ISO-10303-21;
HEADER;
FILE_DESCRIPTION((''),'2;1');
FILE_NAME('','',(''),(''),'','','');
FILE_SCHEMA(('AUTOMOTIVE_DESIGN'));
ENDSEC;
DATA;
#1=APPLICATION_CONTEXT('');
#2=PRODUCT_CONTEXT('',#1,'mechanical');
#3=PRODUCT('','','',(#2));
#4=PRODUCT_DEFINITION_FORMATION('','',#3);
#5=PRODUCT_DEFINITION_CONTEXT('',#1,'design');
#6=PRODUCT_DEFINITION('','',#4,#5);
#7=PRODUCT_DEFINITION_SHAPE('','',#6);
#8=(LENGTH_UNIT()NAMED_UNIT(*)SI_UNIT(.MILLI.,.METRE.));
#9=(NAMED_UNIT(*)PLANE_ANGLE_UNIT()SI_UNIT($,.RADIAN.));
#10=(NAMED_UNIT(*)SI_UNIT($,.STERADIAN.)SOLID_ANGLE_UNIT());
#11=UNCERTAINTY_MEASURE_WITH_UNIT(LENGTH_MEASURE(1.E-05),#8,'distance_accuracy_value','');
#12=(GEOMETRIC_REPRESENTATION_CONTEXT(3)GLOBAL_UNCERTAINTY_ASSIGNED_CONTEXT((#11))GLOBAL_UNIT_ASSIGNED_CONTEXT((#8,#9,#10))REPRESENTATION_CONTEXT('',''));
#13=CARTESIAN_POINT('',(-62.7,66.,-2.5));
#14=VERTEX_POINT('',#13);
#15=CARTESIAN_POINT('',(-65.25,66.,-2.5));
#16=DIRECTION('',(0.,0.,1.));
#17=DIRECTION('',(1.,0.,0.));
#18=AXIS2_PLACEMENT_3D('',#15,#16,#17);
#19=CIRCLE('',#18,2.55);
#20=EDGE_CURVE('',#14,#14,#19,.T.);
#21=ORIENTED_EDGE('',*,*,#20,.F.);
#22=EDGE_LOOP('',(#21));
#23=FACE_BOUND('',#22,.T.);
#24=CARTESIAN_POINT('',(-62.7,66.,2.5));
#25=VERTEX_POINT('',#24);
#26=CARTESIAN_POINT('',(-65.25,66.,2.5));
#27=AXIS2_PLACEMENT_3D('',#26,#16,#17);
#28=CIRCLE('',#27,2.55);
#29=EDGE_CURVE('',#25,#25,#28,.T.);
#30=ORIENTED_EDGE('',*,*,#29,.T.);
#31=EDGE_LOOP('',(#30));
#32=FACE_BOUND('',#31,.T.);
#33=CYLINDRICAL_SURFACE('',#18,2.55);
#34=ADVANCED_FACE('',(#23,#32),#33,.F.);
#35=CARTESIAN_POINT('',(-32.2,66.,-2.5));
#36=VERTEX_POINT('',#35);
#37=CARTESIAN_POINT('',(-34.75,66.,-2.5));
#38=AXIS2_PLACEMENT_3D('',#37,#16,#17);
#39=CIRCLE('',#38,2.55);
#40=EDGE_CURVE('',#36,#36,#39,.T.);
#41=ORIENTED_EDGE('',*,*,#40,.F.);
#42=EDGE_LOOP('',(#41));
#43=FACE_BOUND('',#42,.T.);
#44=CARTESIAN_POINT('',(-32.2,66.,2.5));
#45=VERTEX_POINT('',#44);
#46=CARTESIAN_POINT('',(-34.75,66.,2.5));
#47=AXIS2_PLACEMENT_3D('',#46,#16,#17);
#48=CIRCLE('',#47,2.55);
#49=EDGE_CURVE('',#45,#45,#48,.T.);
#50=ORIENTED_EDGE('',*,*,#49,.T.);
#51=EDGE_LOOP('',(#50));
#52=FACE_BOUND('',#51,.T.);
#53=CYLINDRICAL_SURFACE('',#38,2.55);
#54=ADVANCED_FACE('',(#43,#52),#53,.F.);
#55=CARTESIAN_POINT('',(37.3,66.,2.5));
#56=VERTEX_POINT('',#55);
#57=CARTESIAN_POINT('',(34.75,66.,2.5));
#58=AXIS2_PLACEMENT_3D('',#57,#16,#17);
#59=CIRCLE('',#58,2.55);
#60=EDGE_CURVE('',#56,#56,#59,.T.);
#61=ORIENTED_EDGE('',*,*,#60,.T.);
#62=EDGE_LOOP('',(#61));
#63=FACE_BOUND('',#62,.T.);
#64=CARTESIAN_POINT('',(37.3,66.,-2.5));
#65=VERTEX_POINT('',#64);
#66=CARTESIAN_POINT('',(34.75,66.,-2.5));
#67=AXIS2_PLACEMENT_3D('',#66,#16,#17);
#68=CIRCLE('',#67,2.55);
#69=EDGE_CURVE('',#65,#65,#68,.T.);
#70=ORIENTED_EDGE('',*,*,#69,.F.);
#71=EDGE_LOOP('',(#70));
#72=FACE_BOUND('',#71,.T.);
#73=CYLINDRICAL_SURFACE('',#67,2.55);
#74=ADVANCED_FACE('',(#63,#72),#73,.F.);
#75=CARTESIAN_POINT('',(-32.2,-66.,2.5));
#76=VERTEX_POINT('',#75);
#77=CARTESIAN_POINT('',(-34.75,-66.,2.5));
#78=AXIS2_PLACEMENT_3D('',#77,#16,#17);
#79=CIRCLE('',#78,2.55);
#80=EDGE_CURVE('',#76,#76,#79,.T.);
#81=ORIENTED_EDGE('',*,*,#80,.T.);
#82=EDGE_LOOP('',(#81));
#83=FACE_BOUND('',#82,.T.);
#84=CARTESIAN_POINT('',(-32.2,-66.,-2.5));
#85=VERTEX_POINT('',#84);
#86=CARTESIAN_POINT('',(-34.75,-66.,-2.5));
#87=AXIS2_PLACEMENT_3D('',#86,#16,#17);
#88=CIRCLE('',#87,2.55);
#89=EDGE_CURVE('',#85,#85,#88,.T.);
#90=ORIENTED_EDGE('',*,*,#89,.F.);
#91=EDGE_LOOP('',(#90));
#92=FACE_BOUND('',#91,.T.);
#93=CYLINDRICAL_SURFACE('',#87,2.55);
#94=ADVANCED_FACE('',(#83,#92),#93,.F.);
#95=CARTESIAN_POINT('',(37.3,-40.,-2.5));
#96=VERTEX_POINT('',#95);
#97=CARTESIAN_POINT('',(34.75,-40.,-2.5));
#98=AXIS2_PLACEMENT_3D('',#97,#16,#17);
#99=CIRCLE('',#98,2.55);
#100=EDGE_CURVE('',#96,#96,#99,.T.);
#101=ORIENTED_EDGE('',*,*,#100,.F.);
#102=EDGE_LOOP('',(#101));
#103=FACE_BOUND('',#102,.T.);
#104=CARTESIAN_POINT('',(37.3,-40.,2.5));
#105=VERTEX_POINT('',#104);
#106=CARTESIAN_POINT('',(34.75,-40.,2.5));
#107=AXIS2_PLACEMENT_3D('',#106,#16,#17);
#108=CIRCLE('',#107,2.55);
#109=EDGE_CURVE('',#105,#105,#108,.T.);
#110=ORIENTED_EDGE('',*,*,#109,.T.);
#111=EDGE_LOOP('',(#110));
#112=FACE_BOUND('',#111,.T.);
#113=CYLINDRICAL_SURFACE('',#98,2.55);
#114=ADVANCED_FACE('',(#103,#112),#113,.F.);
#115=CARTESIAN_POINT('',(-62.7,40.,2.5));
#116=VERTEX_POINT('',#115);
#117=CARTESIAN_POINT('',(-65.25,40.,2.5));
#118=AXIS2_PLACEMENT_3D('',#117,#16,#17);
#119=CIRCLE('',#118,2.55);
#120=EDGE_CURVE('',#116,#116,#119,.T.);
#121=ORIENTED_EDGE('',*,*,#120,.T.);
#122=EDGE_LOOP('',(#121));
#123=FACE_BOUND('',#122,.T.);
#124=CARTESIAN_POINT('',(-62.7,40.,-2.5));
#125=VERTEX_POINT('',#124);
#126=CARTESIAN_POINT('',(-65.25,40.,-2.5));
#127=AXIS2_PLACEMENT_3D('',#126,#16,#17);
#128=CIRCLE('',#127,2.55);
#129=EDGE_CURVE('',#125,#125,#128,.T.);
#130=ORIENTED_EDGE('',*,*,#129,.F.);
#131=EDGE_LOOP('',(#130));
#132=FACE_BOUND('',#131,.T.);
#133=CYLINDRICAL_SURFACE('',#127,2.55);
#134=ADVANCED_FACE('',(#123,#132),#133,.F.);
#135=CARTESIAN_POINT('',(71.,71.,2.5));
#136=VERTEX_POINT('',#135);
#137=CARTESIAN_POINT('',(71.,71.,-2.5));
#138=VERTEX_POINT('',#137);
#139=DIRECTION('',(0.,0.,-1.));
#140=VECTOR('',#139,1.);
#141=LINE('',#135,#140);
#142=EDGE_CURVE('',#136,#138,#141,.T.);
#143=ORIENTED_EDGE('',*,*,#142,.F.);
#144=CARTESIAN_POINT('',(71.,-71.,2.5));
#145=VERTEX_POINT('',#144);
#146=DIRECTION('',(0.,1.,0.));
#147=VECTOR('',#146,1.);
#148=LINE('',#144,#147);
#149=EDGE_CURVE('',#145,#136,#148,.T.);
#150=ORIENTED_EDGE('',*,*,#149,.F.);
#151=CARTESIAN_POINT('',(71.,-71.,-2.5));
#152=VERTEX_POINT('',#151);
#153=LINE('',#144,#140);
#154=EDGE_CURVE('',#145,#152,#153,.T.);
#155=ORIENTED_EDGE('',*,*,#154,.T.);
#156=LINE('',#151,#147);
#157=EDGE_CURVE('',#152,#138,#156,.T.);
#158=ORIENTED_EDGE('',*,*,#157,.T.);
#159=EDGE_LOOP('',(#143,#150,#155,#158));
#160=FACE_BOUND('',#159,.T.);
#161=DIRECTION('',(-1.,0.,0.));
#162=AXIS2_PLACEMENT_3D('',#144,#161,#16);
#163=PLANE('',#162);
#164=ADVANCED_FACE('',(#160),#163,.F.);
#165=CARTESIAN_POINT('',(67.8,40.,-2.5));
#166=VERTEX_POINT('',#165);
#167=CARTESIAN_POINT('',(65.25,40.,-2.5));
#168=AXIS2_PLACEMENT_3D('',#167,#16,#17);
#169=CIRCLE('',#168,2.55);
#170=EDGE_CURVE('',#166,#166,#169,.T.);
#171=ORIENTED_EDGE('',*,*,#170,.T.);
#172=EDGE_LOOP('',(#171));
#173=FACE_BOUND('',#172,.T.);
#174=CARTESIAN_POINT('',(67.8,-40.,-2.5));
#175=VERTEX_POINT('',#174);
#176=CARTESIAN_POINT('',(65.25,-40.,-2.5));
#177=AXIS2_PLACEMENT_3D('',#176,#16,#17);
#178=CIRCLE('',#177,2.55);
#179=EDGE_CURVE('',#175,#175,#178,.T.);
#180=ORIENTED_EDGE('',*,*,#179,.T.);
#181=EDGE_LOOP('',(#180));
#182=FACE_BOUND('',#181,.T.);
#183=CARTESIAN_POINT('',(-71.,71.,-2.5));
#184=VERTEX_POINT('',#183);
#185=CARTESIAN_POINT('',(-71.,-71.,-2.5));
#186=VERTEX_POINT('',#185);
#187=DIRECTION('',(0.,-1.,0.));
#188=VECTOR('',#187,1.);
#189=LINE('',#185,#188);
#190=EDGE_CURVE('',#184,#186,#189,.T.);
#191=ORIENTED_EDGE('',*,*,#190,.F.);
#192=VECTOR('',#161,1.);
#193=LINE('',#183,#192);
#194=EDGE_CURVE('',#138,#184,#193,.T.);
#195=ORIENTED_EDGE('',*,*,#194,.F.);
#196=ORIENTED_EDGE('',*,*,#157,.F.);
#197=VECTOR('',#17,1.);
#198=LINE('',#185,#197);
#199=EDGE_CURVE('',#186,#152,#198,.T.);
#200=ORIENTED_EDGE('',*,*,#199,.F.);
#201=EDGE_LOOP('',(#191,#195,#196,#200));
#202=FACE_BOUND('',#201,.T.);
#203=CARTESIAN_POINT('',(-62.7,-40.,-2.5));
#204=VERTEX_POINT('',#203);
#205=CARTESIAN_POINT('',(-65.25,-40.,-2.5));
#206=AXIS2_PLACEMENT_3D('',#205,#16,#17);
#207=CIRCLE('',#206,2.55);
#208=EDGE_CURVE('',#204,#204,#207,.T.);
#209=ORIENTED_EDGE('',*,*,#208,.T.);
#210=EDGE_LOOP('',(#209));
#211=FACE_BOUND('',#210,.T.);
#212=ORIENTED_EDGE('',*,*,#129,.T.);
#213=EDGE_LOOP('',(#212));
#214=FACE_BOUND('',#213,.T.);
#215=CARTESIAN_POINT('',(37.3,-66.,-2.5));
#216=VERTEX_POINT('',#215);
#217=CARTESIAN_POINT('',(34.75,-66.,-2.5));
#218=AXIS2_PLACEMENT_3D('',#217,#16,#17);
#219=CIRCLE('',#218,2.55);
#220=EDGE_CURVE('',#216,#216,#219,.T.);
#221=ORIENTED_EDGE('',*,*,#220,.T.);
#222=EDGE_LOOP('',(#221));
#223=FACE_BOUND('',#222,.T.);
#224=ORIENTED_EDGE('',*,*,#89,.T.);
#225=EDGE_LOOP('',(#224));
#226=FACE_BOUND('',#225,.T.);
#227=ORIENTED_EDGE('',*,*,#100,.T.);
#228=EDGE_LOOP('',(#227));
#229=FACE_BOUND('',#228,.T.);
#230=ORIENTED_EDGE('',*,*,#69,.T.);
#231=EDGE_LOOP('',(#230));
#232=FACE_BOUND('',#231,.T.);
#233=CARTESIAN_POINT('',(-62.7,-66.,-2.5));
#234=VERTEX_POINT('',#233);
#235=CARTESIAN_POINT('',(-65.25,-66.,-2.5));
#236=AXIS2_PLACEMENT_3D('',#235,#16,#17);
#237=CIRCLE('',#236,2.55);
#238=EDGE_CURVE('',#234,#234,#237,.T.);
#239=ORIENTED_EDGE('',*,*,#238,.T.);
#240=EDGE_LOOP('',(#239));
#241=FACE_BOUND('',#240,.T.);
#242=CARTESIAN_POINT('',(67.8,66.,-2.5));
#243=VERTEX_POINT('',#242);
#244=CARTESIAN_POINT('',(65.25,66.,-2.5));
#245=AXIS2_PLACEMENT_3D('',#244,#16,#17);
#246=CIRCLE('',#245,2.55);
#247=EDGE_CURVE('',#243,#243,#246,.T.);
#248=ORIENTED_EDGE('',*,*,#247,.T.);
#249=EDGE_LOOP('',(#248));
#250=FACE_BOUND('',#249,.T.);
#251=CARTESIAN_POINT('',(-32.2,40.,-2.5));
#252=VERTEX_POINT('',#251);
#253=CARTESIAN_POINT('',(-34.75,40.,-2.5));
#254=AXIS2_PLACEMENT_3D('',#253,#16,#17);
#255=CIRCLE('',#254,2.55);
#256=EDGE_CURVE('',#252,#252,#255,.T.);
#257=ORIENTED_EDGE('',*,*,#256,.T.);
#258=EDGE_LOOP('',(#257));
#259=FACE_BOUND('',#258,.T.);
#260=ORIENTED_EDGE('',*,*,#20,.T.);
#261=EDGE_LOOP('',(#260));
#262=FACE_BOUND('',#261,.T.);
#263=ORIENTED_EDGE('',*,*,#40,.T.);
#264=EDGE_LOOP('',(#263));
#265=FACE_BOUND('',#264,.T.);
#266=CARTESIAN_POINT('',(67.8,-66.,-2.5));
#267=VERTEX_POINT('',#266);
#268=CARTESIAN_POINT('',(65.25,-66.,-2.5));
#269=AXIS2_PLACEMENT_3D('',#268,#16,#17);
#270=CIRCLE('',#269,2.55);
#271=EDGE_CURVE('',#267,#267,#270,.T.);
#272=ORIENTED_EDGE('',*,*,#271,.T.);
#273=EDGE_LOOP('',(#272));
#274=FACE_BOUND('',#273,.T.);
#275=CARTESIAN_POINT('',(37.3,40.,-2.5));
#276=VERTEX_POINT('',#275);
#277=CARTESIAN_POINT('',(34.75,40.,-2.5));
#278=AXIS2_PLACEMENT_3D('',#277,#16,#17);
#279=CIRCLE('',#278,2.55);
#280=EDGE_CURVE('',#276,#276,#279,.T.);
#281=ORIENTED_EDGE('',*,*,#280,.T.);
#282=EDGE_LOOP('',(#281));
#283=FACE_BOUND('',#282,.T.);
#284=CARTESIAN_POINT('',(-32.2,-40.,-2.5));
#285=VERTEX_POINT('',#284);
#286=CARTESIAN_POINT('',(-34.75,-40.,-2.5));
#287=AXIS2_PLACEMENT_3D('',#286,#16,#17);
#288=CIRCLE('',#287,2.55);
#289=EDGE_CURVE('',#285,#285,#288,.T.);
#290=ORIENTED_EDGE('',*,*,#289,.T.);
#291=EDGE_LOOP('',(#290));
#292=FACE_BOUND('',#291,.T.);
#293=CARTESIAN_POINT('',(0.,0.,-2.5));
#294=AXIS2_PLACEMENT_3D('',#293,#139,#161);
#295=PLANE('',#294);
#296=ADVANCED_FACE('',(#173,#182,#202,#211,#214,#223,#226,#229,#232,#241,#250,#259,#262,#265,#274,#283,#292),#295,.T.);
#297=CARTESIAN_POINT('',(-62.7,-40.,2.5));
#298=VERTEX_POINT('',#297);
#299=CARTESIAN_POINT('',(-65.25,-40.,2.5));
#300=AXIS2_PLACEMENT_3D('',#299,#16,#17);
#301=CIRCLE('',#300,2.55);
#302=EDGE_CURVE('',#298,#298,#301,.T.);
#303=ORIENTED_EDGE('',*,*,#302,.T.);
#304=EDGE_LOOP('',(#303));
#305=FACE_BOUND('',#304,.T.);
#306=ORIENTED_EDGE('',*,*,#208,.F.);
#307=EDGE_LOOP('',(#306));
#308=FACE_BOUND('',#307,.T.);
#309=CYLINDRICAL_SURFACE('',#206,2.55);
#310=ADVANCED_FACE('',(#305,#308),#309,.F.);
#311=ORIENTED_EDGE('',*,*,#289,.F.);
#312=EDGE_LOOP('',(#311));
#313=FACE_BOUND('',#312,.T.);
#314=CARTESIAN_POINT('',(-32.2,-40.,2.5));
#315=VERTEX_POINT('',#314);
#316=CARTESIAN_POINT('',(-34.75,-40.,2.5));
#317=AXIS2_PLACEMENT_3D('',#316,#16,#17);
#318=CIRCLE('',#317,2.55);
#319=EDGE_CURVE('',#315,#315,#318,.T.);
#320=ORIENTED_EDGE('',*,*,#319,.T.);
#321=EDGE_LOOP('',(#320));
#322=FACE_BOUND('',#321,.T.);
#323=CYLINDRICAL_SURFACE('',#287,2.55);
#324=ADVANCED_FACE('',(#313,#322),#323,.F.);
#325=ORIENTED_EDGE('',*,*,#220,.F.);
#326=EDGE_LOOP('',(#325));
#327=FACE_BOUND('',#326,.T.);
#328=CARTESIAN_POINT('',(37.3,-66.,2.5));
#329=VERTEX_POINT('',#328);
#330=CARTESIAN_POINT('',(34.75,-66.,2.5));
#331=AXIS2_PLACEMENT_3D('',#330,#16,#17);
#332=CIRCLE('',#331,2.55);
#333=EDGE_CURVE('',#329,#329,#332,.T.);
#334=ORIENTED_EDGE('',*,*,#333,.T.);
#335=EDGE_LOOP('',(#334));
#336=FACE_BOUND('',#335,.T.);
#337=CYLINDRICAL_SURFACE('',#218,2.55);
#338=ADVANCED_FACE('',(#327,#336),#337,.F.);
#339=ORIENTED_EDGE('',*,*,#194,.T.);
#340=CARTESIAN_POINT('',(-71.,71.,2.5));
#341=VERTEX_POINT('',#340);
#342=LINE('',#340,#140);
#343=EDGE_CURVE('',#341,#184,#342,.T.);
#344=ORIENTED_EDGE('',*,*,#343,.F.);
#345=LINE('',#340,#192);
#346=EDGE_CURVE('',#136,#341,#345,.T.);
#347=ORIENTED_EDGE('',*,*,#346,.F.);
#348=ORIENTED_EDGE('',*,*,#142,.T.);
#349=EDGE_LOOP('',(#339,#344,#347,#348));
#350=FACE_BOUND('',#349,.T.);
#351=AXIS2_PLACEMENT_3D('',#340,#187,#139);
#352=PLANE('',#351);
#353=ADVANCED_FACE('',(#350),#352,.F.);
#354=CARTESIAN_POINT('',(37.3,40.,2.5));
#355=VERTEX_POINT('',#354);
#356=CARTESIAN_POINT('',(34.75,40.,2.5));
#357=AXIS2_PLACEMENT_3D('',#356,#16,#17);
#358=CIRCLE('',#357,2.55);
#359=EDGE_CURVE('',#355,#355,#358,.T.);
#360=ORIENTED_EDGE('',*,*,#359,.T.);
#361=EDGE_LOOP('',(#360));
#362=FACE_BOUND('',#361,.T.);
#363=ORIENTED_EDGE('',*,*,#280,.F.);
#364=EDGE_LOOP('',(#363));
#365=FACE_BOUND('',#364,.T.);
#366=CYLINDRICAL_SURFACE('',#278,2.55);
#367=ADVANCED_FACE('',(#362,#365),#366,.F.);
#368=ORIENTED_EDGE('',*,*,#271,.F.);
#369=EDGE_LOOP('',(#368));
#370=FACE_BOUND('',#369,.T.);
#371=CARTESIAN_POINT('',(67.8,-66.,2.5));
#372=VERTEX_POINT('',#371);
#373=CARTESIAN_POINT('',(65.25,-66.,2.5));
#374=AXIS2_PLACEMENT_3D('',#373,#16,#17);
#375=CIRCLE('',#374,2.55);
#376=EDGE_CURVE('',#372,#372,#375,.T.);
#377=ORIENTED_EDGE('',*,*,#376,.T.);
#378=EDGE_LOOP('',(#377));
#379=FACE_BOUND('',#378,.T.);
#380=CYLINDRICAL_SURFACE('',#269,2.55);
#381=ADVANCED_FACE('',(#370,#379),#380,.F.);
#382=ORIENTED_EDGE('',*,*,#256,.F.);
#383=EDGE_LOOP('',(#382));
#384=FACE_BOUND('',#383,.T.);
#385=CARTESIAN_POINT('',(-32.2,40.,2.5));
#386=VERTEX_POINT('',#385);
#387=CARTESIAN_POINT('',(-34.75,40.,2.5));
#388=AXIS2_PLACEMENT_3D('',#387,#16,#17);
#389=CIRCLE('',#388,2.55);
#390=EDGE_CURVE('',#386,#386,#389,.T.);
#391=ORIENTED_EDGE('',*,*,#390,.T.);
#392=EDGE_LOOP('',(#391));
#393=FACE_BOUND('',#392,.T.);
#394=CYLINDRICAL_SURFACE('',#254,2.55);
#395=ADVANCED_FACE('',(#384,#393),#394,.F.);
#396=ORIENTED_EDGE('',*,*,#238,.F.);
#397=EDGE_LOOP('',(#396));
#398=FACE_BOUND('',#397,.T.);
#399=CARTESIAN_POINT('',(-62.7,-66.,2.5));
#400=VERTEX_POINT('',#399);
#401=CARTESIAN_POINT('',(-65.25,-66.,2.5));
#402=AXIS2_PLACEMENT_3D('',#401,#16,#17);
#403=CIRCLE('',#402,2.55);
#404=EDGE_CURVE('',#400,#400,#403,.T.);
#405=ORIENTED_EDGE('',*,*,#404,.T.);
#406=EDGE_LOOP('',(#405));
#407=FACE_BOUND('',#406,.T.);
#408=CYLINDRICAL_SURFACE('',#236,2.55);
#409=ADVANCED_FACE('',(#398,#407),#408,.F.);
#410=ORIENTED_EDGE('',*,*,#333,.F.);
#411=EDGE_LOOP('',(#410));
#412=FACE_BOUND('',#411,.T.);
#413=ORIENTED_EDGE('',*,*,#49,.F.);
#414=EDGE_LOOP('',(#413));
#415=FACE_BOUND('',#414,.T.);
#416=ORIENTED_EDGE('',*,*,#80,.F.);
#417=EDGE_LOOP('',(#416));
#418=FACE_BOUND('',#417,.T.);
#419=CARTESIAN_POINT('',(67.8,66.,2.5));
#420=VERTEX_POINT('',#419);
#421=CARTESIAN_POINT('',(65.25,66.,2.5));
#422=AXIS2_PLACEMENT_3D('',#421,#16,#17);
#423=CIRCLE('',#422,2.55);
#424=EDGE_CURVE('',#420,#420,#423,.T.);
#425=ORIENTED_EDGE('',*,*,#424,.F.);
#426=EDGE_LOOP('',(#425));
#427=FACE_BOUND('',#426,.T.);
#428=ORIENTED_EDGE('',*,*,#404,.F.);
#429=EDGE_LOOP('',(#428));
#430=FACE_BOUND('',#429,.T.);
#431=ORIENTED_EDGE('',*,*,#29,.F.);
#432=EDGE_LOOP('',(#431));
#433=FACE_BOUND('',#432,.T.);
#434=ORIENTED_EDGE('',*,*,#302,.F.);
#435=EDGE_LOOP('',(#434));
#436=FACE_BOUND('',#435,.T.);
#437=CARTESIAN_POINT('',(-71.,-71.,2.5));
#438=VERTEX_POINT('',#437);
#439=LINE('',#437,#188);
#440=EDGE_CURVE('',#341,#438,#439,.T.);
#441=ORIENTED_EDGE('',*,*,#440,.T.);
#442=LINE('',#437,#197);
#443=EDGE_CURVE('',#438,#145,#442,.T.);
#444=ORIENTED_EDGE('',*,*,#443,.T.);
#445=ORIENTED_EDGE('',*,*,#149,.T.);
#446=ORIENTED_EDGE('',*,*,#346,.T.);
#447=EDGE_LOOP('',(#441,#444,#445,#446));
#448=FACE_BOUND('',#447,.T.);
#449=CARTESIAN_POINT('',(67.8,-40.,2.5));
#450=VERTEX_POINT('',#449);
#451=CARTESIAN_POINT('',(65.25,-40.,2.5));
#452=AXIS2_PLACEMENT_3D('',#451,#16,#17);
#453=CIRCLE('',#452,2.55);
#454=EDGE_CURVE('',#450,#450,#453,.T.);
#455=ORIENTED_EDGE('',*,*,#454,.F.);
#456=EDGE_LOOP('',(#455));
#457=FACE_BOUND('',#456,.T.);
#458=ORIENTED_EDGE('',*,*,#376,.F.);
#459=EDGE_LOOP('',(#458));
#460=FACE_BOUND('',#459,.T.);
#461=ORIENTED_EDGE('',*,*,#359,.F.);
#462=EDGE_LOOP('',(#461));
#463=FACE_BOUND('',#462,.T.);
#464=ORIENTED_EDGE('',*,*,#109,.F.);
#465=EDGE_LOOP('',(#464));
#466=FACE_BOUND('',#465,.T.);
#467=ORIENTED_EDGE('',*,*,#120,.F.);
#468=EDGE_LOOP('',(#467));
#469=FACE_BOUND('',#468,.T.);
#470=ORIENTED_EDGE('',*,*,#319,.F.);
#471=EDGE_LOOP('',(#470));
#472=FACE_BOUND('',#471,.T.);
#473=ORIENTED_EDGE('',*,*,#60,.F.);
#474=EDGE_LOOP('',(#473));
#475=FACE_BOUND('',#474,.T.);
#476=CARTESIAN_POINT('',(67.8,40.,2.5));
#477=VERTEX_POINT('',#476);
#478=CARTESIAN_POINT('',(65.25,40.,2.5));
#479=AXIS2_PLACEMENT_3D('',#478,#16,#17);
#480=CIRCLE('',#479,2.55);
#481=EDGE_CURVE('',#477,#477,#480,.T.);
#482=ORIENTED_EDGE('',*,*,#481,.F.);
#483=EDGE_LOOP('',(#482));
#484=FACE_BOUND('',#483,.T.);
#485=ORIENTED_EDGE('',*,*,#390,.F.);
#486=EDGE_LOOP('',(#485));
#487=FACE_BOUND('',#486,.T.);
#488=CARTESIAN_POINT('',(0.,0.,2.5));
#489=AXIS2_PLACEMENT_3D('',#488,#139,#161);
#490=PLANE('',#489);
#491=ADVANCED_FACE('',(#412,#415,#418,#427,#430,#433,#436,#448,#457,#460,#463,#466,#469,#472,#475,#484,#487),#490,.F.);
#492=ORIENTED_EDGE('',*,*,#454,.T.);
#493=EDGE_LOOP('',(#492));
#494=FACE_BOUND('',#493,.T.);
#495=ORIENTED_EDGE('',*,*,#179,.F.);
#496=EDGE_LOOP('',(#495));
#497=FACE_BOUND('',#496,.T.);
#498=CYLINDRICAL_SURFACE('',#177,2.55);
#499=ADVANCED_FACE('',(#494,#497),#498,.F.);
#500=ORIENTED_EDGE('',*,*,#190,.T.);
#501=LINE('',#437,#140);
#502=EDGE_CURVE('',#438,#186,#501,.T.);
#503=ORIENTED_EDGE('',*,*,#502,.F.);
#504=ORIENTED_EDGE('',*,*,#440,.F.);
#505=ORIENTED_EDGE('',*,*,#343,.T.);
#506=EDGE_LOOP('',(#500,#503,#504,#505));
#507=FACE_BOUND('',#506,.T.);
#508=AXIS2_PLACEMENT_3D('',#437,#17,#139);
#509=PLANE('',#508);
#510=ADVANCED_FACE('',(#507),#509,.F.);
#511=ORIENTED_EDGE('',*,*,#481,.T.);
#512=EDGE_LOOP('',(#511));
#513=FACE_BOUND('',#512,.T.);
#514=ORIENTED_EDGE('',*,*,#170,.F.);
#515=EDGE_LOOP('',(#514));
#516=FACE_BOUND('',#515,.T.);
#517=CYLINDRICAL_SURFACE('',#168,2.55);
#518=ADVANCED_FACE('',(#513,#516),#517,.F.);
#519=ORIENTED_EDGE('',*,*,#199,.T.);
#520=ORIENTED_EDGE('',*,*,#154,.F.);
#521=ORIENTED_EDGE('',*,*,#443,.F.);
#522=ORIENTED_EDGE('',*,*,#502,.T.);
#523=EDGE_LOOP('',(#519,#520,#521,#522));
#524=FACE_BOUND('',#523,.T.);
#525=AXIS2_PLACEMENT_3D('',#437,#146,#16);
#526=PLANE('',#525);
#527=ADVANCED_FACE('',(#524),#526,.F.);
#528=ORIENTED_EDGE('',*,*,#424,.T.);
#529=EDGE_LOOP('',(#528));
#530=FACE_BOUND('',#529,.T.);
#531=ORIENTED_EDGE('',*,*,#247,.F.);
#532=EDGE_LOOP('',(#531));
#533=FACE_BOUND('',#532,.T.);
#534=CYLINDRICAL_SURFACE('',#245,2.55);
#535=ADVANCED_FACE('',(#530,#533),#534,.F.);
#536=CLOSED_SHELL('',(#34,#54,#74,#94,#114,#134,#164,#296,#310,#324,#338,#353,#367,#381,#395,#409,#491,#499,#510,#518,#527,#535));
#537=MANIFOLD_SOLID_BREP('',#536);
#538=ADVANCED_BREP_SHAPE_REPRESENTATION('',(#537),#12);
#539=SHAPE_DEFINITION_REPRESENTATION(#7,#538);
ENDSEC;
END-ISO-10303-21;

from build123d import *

# Parameters (mm, degrees)
SKETCH1_W           = 142
SKETCH1_H           = 142
BOSS_EXTRUDE1_DEPTH = 2.5
SKETCH2_R           = 2.55
CUT_EXTRUDE1_DEPTH  = 6


with BuildPart() as part:
    # Sketch1 → Boss-Extrude1 (new body, symmetric)
    with BuildSketch(Plane.XY):
        Rectangle(SKETCH1_W, SKETCH1_H)
    extrude(amount=BOSS_EXTRUDE1_DEPTH, both=True)

    # Sketch2 → Cut-Extrude1 (cut, through all)
    with BuildSketch(Plane.XY.offset(2.5)):
        with Locations((-65.25, 66)):
            Circle(SKETCH2_R)
        with Locations((-34.75, 66)):
            Circle(SKETCH2_R)
        with Locations((-34.75, 40)):
            Circle(SKETCH2_R)
        with Locations((-65.25, 40)):
            Circle(SKETCH2_R)
        with Locations((65.25, 66)):
            Circle(SKETCH2_R)
        with Locations((65.25, 40)):
            Circle(SKETCH2_R)
        with Locations((34.75, 40)):
            Circle(SKETCH2_R)
        with Locations((34.75, 66)):
            Circle(SKETCH2_R)
        with Locations((-65.25, -40)):
            Circle(SKETCH2_R)
        with Locations((-34.75, -40)):
            Circle(SKETCH2_R)
        with Locations((-34.75, -66)):
            Circle(SKETCH2_R)
        with Locations((-65.25, -66)):
            Circle(SKETCH2_R)
        with Locations((34.75, -40)):
            Circle(SKETCH2_R)
        with Locations((65.25, -40)):
            Circle(SKETCH2_R)
        with Locations((65.25, -66)):
            Circle(SKETCH2_R)
        with Locations((34.75, -66)):
            Circle(SKETCH2_R)
    extrude(amount=-CUT_EXTRUDE1_DEPTH, mode=Mode.SUBTRACT)


solid = part.part
